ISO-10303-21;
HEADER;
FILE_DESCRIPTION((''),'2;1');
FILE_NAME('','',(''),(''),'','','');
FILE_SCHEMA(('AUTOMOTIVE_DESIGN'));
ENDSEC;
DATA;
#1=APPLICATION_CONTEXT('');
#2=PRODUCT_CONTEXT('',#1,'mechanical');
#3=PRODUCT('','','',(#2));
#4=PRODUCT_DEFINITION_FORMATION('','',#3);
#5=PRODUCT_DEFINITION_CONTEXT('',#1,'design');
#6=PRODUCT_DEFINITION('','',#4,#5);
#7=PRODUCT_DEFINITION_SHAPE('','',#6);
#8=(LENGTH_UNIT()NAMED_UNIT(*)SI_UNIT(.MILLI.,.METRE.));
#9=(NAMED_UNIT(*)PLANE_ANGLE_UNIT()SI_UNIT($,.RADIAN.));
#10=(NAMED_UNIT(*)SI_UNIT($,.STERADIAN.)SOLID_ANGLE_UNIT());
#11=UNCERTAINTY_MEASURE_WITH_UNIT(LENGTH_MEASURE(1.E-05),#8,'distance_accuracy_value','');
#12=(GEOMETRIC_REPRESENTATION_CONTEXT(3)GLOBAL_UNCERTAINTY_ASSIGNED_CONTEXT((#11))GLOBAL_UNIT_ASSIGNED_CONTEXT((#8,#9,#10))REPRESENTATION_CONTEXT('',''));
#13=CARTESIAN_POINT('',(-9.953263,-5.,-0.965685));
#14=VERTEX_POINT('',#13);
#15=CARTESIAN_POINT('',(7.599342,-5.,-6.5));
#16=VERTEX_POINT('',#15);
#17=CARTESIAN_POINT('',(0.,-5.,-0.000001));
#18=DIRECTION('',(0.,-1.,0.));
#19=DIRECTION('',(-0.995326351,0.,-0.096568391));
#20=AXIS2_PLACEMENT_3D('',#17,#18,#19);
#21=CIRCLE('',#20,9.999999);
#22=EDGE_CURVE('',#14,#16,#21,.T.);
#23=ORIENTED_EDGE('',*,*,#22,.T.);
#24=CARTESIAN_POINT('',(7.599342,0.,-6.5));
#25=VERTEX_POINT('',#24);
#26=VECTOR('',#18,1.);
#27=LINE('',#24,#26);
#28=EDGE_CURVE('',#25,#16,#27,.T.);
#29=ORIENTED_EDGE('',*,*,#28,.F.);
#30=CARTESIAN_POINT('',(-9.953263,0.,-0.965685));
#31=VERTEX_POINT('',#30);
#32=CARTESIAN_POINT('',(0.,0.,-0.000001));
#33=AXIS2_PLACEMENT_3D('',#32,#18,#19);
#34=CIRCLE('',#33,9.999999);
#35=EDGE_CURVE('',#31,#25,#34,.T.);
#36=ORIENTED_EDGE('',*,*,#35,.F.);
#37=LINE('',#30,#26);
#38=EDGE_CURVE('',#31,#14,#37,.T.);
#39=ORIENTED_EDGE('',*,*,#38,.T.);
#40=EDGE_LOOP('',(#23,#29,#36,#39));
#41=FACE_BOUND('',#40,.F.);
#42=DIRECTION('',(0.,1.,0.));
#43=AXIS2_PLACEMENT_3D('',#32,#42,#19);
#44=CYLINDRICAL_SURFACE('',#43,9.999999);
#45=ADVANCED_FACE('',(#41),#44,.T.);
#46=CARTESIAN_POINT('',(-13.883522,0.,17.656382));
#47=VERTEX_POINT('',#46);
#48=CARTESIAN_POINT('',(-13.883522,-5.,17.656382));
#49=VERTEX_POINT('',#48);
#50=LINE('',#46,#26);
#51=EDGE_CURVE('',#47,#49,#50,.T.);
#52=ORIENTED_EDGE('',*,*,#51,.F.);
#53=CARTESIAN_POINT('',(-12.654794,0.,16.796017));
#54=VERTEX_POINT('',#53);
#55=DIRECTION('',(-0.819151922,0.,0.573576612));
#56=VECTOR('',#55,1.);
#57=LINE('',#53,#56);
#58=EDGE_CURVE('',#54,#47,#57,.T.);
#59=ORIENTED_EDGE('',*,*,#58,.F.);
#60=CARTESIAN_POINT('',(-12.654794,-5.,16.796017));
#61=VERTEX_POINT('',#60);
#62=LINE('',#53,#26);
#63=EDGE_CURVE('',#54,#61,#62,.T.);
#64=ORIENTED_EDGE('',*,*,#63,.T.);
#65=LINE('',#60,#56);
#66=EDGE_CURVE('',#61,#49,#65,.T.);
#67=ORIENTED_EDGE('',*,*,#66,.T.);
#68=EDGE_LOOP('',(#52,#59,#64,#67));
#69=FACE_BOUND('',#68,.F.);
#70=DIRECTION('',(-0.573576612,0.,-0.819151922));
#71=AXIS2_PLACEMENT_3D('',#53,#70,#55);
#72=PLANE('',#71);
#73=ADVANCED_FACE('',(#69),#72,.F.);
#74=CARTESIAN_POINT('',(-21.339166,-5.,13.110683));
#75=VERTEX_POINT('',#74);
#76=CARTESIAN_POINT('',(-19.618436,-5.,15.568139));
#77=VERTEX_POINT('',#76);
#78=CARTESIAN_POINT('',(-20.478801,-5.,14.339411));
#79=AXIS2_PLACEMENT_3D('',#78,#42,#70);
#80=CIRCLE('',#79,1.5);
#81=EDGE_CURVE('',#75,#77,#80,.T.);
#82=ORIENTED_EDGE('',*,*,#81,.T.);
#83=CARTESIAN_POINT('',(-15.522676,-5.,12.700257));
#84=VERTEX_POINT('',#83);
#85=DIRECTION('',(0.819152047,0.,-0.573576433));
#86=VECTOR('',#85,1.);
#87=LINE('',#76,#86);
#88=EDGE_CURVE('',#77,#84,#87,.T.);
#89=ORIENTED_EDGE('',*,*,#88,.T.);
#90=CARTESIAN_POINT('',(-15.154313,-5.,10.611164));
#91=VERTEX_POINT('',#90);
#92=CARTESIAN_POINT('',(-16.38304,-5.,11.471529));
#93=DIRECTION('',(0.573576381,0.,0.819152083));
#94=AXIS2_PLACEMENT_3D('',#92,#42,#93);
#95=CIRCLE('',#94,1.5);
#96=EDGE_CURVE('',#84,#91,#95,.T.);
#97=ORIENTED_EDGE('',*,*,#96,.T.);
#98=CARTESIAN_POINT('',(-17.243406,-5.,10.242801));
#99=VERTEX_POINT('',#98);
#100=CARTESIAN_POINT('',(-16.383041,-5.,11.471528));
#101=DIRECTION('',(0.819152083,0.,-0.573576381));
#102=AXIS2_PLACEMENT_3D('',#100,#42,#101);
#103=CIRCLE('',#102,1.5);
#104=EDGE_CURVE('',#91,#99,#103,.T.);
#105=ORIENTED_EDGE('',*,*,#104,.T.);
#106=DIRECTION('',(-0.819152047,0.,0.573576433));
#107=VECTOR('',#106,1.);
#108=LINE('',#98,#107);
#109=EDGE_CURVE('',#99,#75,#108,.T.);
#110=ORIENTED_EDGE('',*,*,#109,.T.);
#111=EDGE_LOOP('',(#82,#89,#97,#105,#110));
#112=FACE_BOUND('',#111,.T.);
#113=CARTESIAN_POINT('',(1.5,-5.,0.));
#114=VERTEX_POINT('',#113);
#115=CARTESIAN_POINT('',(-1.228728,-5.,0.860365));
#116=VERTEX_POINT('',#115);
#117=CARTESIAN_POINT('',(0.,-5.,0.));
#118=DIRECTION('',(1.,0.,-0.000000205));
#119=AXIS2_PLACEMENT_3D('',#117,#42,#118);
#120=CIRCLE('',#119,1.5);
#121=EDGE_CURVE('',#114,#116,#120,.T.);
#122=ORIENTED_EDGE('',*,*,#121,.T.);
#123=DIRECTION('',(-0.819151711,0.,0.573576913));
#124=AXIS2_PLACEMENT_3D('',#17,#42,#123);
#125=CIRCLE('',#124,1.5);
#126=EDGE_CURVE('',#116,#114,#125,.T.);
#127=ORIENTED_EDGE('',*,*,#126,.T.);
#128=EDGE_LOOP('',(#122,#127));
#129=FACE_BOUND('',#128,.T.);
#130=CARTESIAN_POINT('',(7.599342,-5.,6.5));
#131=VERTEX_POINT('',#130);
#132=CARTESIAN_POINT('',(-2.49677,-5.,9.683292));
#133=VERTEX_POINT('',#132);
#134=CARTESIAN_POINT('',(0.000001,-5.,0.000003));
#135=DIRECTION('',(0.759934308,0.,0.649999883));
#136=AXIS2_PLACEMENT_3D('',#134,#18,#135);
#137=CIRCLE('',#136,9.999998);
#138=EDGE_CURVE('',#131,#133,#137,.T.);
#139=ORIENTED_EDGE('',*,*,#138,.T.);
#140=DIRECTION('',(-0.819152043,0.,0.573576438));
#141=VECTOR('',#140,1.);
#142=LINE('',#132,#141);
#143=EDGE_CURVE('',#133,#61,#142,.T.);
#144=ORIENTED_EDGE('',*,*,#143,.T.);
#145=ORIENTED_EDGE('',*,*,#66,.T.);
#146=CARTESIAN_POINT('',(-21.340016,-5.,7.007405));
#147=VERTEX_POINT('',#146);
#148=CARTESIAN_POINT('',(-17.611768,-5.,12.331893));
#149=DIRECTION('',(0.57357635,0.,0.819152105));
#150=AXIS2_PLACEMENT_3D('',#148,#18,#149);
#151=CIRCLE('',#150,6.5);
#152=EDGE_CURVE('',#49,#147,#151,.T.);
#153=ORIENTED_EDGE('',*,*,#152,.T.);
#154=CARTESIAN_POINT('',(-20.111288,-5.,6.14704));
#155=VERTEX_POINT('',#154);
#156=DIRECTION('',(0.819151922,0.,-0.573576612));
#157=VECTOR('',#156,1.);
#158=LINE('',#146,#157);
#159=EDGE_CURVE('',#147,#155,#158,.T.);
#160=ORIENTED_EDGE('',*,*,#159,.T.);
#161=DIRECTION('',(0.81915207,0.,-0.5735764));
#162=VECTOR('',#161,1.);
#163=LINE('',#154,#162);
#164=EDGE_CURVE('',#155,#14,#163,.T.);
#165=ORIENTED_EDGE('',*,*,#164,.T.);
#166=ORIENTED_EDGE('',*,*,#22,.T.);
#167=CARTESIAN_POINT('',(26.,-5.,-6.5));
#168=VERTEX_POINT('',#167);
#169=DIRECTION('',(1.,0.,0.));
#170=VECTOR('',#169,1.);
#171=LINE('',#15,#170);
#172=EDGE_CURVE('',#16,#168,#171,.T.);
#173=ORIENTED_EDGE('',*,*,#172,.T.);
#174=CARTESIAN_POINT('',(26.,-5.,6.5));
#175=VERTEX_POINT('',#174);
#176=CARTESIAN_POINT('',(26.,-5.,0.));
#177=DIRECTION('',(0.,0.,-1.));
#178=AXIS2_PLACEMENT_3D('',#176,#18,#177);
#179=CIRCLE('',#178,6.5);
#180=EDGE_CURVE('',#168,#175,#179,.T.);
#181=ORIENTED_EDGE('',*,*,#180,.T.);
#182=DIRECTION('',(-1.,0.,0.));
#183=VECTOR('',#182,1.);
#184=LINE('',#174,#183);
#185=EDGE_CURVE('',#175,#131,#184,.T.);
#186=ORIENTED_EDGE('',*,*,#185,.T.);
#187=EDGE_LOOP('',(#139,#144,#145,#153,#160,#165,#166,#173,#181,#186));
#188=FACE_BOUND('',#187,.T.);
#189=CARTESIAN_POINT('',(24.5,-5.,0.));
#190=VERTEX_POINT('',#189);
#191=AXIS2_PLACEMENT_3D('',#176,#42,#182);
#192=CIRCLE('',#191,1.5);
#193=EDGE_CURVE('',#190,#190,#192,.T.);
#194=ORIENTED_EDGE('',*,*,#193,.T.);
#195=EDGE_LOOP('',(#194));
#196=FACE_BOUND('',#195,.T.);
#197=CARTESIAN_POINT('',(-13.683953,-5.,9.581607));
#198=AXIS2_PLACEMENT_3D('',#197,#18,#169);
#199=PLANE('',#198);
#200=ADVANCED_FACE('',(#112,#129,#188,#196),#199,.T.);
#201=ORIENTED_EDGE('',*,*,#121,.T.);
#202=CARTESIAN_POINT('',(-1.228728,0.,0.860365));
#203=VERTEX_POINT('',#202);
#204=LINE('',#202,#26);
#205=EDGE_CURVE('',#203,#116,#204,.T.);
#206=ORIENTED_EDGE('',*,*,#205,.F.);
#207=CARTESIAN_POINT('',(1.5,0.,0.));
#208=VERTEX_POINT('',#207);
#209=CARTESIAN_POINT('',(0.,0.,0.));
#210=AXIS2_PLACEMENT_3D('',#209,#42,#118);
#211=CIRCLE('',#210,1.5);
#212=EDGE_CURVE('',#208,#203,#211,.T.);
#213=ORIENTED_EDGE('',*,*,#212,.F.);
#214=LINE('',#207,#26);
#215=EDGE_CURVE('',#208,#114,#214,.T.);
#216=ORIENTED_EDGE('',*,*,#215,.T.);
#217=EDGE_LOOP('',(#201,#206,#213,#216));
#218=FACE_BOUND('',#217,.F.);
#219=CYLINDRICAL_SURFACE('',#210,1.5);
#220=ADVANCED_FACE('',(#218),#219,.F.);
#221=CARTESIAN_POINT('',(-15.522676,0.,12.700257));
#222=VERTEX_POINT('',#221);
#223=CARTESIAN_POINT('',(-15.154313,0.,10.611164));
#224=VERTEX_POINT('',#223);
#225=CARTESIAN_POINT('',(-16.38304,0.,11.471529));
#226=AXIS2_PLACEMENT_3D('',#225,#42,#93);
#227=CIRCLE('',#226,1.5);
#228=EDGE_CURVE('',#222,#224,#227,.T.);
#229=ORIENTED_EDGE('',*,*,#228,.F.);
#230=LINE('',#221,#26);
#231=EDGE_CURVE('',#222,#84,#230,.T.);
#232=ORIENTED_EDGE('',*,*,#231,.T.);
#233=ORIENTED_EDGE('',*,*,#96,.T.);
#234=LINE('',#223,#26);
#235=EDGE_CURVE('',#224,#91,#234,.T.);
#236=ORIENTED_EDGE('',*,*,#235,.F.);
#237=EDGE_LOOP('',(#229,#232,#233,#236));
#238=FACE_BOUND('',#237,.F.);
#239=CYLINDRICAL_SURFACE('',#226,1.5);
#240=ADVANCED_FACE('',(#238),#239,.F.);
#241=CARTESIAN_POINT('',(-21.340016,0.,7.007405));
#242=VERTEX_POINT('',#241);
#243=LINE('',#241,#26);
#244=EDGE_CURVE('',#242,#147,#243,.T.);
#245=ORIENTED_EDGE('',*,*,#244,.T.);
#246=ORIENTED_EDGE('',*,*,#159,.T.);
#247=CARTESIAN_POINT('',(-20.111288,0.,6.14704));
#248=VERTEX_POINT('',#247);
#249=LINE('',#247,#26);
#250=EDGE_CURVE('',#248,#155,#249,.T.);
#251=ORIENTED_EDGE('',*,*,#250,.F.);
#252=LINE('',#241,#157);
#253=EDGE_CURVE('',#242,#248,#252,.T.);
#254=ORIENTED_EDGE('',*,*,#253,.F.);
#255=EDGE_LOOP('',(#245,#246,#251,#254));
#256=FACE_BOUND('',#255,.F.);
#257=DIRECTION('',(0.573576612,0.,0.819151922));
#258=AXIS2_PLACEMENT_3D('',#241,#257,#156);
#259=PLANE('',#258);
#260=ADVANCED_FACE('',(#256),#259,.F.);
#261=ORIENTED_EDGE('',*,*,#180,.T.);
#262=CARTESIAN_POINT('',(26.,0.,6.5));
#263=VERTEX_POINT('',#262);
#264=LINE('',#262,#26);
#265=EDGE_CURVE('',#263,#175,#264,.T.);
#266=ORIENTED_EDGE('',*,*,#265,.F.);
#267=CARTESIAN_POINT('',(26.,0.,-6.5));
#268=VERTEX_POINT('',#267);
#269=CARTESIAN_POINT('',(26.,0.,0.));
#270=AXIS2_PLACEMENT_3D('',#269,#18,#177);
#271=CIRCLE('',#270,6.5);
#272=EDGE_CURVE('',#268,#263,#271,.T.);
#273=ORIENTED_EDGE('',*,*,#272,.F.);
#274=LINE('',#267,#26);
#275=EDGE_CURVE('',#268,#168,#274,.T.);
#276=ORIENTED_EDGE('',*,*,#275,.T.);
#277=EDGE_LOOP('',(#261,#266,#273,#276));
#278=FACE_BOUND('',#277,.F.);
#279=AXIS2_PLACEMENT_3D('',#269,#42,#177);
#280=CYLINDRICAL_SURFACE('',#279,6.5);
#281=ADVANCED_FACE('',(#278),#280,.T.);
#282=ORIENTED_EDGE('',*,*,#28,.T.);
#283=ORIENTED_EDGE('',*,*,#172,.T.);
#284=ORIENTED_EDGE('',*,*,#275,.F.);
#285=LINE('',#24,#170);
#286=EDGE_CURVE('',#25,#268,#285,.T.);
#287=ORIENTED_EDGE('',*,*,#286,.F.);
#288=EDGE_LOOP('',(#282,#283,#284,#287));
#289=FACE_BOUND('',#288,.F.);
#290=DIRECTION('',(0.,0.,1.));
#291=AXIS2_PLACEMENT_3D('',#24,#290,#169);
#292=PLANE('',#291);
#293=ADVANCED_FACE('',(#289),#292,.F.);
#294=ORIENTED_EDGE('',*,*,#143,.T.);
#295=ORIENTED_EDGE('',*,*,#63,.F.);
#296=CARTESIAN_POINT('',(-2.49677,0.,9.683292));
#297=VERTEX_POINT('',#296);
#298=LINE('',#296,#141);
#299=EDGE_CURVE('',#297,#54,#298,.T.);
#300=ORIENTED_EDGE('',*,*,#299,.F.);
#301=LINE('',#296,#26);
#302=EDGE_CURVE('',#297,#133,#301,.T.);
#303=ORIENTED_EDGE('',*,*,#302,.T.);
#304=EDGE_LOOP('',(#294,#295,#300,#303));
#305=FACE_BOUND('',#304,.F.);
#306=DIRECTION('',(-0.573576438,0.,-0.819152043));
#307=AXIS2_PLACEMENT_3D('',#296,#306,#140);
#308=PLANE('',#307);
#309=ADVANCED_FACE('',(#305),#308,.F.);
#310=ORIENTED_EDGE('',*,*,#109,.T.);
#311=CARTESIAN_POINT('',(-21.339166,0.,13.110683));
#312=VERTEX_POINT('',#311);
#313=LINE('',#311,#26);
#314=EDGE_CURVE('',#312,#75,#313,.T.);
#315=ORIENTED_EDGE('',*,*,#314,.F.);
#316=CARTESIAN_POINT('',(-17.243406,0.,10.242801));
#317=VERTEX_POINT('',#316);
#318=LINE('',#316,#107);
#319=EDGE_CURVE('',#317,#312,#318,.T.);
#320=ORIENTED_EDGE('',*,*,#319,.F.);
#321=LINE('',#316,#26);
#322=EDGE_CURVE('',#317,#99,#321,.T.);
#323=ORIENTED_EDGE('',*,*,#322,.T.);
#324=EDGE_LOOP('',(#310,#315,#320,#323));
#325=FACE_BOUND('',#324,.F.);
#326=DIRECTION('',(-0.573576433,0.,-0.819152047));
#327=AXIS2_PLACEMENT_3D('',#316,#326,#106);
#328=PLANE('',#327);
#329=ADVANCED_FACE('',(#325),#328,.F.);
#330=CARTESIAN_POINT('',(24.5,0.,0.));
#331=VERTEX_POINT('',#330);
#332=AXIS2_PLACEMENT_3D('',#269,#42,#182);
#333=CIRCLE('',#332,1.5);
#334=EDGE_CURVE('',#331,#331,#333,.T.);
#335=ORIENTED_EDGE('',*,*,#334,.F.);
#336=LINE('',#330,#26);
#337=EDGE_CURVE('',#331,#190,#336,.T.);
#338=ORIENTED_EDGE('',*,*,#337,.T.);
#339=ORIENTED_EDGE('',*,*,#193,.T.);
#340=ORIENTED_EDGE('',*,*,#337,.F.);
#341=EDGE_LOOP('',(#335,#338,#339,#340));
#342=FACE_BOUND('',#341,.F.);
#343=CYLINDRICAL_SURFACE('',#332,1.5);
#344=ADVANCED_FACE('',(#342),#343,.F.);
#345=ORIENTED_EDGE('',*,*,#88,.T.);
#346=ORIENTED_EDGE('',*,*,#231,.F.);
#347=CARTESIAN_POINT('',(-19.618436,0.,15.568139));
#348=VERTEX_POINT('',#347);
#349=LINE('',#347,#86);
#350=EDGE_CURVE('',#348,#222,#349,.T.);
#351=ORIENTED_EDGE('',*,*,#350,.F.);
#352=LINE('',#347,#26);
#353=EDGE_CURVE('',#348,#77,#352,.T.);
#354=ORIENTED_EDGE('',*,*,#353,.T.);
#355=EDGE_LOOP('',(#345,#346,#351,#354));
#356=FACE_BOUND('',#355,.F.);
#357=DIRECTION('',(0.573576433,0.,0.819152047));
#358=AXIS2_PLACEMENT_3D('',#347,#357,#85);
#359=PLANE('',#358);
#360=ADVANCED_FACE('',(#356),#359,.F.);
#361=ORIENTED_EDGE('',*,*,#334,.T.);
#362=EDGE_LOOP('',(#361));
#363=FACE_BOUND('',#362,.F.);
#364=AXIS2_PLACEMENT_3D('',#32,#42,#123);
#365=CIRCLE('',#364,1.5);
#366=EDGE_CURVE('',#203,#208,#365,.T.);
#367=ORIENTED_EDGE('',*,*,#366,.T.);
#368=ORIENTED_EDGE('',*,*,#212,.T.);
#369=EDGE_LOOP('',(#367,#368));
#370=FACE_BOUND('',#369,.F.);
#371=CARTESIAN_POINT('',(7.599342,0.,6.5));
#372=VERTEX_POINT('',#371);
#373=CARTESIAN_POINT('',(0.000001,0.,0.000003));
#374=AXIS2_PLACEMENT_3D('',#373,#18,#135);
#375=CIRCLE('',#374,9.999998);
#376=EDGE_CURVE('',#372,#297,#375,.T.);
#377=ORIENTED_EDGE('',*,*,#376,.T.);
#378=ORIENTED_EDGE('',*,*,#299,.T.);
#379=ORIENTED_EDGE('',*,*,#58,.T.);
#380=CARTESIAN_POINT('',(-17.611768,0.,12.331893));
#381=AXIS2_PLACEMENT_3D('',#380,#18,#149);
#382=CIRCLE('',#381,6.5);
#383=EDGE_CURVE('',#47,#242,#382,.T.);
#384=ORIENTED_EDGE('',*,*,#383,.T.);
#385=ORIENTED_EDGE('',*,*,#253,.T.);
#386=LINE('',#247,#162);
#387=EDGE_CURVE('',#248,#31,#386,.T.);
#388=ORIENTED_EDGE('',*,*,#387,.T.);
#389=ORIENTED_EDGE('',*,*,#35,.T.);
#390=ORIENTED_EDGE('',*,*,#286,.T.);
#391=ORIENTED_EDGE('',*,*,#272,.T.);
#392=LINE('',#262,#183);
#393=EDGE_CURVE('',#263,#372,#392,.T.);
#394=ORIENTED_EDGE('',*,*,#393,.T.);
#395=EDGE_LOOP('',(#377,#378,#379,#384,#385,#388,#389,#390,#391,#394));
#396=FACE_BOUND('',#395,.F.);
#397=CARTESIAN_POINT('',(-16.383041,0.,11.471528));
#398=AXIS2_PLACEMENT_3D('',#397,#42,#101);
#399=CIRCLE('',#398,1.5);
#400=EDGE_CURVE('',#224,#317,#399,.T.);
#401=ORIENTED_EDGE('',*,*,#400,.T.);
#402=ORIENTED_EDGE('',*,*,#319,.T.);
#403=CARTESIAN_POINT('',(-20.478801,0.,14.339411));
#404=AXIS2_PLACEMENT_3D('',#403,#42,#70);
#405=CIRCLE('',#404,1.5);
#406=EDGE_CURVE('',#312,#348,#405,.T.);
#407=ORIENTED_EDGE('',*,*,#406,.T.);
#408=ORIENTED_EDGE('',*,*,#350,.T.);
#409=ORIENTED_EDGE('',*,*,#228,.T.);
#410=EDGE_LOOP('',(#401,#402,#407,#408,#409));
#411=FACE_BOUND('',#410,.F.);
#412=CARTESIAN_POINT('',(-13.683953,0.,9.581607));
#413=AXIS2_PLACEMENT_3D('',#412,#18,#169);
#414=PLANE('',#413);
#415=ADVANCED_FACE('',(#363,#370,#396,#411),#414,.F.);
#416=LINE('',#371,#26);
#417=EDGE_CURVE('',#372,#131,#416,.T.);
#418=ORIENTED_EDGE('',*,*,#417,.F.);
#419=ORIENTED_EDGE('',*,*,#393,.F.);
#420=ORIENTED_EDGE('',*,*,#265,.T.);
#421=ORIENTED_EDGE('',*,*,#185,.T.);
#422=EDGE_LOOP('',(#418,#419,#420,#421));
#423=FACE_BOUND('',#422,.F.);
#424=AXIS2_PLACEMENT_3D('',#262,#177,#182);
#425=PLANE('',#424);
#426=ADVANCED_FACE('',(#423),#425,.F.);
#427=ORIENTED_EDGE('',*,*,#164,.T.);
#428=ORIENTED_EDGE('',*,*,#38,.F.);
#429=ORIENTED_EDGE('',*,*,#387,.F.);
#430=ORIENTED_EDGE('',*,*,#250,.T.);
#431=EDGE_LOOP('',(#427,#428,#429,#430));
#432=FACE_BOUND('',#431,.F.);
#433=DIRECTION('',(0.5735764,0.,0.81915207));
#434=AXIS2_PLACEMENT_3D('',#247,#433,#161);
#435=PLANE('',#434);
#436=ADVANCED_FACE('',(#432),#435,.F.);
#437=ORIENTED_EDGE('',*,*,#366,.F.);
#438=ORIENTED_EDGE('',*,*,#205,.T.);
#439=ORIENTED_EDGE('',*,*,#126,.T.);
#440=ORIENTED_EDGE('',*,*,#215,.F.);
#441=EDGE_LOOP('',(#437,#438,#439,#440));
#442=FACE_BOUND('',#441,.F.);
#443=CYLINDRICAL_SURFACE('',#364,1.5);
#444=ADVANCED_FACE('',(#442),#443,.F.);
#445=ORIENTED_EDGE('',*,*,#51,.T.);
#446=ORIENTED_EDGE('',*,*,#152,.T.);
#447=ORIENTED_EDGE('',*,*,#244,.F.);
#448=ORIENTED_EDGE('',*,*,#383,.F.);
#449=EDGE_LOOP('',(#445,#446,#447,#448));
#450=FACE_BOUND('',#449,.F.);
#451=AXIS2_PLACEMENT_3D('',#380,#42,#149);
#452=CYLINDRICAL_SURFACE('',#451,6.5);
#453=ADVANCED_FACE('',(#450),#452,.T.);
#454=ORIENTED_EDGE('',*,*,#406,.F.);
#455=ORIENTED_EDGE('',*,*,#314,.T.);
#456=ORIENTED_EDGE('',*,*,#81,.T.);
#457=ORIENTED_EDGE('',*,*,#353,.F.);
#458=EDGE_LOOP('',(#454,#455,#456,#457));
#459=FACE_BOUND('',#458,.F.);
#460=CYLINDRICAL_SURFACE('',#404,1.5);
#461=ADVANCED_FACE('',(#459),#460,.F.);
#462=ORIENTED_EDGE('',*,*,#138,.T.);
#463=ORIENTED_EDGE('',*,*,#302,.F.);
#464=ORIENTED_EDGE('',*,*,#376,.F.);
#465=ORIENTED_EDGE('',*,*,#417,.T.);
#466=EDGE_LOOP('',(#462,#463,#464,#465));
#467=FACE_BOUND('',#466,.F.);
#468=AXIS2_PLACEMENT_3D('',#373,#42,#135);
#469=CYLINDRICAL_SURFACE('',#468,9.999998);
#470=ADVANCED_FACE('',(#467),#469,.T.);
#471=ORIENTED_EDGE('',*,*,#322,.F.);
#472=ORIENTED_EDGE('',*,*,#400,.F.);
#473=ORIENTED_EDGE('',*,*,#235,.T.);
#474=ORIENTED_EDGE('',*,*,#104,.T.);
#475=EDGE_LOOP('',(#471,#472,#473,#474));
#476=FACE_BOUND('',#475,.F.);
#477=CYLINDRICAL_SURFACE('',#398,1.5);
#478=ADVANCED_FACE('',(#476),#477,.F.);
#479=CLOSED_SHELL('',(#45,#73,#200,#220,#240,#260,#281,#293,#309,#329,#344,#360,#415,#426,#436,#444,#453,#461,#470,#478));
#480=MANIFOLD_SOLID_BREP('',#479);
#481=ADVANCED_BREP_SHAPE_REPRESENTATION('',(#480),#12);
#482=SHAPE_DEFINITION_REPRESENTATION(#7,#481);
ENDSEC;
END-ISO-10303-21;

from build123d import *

# Parameters (mm, degrees)
F1_DEPTH = 5


with BuildPart() as f1:
    # F0 (on Front) → F1 (new body)
    with BuildSketch(Plane.XZ):
        with BuildLine():
            ThreePointArc((-9.953263, -0.965685), (-9.671383, 2.542509), (-8.19152, 5.735764))
            ThreePointArc((-8.19152, 5.735764), (-5.696984, 8.218538), (-2.49677, 9.683292))
            Line((-2.49677, 9.683292), (-12.654794, 16.796017))
            Line((-12.654794, 16.796017), (-13.883522, 17.656382))
            ThreePointArc((-13.883522, 17.656382), (-22.936257, 16.06014), (-21.340016, 7.007405))
            Line((-21.340016, 7.007405), (-20.111288, 6.14704))
            Line((-20.111288, 6.14704), (-9.953263, -0.965685))
        make_face()
        with BuildLine():
            ThreePointArc((-15.522676, 12.700257), (-14.905829, 11.732001), (-15.154313, 10.611164))
            ThreePointArc((-15.154313, 10.611164), (-16.122569, 9.994317), (-17.243406, 10.242801))
            Line((-17.243406, 10.242801), (-21.339166, 13.110683))
            ThreePointArc((-21.339166, 13.110683), (-21.707529, 15.199776), (-19.618436, 15.568139))
            Line((-19.618436, 15.568139), (-15.522676, 12.700257))
        make_face(mode=Mode.SUBTRACT)
        with BuildLine():
            ThreePointArc((-1.228728, 0.860365), (0.451059, 1.430575), (1.5, 0))
            Line((1.5, 0), (10, 0))
            ThreePointArc((10, 0), (9.380656, 3.464576), (7.599342, 6.5))
            ThreePointArc((7.599342, 6.5), (3.007058, 9.53717), (-2.49677, 9.683292))
            ThreePointArc((-2.49677, 9.683292), (-5.696984, 8.218538), (-8.19152, 5.735764))
            Line((-8.19152, 5.735764), (-1.228728, 0.860365))
        make_face()
        with BuildLine():
            Line((10, 0), (1.5, 0))
            ThreePointArc((1.5, 0), (-0.451059, -1.430575), (-1.228728, 0.860365))
            Line((-1.228728, 0.860365), (-8.19152, 5.735764))
            ThreePointArc((-8.19152, 5.735764), (-9.671383, 2.542509), (-9.953263, -0.965685))
            ThreePointArc((-9.953263, -0.965685), (-3.007058, -9.53717), (7.599342, -6.5))
            ThreePointArc((7.599342, -6.5), (9.380656, -3.464576), (10, 0))
        make_face()
        with BuildLine():
            ThreePointArc((7.599342, 6.5), (9.380656, 3.464576), (10, 0))
            ThreePointArc((10, 0), (9.380656, -3.464576), (7.599342, -6.5))
            Line((7.599342, -6.5), (26, -6.5))
            ThreePointArc((26, -6.5), (32.5, 0), (26, 6.5))
            Line((26, 6.5), (7.599342, 6.5))
        make_face()
        with BuildLine():
            ThreePointArc((27.5, 0), (26, -1.5), (24.5, 0))
            ThreePointArc((24.5, 0), (26, 1.5), (27.5, 0))
        make_face(mode=Mode.SUBTRACT)
    extrude(amount=F1_DEPTH)


solid = f1.part
